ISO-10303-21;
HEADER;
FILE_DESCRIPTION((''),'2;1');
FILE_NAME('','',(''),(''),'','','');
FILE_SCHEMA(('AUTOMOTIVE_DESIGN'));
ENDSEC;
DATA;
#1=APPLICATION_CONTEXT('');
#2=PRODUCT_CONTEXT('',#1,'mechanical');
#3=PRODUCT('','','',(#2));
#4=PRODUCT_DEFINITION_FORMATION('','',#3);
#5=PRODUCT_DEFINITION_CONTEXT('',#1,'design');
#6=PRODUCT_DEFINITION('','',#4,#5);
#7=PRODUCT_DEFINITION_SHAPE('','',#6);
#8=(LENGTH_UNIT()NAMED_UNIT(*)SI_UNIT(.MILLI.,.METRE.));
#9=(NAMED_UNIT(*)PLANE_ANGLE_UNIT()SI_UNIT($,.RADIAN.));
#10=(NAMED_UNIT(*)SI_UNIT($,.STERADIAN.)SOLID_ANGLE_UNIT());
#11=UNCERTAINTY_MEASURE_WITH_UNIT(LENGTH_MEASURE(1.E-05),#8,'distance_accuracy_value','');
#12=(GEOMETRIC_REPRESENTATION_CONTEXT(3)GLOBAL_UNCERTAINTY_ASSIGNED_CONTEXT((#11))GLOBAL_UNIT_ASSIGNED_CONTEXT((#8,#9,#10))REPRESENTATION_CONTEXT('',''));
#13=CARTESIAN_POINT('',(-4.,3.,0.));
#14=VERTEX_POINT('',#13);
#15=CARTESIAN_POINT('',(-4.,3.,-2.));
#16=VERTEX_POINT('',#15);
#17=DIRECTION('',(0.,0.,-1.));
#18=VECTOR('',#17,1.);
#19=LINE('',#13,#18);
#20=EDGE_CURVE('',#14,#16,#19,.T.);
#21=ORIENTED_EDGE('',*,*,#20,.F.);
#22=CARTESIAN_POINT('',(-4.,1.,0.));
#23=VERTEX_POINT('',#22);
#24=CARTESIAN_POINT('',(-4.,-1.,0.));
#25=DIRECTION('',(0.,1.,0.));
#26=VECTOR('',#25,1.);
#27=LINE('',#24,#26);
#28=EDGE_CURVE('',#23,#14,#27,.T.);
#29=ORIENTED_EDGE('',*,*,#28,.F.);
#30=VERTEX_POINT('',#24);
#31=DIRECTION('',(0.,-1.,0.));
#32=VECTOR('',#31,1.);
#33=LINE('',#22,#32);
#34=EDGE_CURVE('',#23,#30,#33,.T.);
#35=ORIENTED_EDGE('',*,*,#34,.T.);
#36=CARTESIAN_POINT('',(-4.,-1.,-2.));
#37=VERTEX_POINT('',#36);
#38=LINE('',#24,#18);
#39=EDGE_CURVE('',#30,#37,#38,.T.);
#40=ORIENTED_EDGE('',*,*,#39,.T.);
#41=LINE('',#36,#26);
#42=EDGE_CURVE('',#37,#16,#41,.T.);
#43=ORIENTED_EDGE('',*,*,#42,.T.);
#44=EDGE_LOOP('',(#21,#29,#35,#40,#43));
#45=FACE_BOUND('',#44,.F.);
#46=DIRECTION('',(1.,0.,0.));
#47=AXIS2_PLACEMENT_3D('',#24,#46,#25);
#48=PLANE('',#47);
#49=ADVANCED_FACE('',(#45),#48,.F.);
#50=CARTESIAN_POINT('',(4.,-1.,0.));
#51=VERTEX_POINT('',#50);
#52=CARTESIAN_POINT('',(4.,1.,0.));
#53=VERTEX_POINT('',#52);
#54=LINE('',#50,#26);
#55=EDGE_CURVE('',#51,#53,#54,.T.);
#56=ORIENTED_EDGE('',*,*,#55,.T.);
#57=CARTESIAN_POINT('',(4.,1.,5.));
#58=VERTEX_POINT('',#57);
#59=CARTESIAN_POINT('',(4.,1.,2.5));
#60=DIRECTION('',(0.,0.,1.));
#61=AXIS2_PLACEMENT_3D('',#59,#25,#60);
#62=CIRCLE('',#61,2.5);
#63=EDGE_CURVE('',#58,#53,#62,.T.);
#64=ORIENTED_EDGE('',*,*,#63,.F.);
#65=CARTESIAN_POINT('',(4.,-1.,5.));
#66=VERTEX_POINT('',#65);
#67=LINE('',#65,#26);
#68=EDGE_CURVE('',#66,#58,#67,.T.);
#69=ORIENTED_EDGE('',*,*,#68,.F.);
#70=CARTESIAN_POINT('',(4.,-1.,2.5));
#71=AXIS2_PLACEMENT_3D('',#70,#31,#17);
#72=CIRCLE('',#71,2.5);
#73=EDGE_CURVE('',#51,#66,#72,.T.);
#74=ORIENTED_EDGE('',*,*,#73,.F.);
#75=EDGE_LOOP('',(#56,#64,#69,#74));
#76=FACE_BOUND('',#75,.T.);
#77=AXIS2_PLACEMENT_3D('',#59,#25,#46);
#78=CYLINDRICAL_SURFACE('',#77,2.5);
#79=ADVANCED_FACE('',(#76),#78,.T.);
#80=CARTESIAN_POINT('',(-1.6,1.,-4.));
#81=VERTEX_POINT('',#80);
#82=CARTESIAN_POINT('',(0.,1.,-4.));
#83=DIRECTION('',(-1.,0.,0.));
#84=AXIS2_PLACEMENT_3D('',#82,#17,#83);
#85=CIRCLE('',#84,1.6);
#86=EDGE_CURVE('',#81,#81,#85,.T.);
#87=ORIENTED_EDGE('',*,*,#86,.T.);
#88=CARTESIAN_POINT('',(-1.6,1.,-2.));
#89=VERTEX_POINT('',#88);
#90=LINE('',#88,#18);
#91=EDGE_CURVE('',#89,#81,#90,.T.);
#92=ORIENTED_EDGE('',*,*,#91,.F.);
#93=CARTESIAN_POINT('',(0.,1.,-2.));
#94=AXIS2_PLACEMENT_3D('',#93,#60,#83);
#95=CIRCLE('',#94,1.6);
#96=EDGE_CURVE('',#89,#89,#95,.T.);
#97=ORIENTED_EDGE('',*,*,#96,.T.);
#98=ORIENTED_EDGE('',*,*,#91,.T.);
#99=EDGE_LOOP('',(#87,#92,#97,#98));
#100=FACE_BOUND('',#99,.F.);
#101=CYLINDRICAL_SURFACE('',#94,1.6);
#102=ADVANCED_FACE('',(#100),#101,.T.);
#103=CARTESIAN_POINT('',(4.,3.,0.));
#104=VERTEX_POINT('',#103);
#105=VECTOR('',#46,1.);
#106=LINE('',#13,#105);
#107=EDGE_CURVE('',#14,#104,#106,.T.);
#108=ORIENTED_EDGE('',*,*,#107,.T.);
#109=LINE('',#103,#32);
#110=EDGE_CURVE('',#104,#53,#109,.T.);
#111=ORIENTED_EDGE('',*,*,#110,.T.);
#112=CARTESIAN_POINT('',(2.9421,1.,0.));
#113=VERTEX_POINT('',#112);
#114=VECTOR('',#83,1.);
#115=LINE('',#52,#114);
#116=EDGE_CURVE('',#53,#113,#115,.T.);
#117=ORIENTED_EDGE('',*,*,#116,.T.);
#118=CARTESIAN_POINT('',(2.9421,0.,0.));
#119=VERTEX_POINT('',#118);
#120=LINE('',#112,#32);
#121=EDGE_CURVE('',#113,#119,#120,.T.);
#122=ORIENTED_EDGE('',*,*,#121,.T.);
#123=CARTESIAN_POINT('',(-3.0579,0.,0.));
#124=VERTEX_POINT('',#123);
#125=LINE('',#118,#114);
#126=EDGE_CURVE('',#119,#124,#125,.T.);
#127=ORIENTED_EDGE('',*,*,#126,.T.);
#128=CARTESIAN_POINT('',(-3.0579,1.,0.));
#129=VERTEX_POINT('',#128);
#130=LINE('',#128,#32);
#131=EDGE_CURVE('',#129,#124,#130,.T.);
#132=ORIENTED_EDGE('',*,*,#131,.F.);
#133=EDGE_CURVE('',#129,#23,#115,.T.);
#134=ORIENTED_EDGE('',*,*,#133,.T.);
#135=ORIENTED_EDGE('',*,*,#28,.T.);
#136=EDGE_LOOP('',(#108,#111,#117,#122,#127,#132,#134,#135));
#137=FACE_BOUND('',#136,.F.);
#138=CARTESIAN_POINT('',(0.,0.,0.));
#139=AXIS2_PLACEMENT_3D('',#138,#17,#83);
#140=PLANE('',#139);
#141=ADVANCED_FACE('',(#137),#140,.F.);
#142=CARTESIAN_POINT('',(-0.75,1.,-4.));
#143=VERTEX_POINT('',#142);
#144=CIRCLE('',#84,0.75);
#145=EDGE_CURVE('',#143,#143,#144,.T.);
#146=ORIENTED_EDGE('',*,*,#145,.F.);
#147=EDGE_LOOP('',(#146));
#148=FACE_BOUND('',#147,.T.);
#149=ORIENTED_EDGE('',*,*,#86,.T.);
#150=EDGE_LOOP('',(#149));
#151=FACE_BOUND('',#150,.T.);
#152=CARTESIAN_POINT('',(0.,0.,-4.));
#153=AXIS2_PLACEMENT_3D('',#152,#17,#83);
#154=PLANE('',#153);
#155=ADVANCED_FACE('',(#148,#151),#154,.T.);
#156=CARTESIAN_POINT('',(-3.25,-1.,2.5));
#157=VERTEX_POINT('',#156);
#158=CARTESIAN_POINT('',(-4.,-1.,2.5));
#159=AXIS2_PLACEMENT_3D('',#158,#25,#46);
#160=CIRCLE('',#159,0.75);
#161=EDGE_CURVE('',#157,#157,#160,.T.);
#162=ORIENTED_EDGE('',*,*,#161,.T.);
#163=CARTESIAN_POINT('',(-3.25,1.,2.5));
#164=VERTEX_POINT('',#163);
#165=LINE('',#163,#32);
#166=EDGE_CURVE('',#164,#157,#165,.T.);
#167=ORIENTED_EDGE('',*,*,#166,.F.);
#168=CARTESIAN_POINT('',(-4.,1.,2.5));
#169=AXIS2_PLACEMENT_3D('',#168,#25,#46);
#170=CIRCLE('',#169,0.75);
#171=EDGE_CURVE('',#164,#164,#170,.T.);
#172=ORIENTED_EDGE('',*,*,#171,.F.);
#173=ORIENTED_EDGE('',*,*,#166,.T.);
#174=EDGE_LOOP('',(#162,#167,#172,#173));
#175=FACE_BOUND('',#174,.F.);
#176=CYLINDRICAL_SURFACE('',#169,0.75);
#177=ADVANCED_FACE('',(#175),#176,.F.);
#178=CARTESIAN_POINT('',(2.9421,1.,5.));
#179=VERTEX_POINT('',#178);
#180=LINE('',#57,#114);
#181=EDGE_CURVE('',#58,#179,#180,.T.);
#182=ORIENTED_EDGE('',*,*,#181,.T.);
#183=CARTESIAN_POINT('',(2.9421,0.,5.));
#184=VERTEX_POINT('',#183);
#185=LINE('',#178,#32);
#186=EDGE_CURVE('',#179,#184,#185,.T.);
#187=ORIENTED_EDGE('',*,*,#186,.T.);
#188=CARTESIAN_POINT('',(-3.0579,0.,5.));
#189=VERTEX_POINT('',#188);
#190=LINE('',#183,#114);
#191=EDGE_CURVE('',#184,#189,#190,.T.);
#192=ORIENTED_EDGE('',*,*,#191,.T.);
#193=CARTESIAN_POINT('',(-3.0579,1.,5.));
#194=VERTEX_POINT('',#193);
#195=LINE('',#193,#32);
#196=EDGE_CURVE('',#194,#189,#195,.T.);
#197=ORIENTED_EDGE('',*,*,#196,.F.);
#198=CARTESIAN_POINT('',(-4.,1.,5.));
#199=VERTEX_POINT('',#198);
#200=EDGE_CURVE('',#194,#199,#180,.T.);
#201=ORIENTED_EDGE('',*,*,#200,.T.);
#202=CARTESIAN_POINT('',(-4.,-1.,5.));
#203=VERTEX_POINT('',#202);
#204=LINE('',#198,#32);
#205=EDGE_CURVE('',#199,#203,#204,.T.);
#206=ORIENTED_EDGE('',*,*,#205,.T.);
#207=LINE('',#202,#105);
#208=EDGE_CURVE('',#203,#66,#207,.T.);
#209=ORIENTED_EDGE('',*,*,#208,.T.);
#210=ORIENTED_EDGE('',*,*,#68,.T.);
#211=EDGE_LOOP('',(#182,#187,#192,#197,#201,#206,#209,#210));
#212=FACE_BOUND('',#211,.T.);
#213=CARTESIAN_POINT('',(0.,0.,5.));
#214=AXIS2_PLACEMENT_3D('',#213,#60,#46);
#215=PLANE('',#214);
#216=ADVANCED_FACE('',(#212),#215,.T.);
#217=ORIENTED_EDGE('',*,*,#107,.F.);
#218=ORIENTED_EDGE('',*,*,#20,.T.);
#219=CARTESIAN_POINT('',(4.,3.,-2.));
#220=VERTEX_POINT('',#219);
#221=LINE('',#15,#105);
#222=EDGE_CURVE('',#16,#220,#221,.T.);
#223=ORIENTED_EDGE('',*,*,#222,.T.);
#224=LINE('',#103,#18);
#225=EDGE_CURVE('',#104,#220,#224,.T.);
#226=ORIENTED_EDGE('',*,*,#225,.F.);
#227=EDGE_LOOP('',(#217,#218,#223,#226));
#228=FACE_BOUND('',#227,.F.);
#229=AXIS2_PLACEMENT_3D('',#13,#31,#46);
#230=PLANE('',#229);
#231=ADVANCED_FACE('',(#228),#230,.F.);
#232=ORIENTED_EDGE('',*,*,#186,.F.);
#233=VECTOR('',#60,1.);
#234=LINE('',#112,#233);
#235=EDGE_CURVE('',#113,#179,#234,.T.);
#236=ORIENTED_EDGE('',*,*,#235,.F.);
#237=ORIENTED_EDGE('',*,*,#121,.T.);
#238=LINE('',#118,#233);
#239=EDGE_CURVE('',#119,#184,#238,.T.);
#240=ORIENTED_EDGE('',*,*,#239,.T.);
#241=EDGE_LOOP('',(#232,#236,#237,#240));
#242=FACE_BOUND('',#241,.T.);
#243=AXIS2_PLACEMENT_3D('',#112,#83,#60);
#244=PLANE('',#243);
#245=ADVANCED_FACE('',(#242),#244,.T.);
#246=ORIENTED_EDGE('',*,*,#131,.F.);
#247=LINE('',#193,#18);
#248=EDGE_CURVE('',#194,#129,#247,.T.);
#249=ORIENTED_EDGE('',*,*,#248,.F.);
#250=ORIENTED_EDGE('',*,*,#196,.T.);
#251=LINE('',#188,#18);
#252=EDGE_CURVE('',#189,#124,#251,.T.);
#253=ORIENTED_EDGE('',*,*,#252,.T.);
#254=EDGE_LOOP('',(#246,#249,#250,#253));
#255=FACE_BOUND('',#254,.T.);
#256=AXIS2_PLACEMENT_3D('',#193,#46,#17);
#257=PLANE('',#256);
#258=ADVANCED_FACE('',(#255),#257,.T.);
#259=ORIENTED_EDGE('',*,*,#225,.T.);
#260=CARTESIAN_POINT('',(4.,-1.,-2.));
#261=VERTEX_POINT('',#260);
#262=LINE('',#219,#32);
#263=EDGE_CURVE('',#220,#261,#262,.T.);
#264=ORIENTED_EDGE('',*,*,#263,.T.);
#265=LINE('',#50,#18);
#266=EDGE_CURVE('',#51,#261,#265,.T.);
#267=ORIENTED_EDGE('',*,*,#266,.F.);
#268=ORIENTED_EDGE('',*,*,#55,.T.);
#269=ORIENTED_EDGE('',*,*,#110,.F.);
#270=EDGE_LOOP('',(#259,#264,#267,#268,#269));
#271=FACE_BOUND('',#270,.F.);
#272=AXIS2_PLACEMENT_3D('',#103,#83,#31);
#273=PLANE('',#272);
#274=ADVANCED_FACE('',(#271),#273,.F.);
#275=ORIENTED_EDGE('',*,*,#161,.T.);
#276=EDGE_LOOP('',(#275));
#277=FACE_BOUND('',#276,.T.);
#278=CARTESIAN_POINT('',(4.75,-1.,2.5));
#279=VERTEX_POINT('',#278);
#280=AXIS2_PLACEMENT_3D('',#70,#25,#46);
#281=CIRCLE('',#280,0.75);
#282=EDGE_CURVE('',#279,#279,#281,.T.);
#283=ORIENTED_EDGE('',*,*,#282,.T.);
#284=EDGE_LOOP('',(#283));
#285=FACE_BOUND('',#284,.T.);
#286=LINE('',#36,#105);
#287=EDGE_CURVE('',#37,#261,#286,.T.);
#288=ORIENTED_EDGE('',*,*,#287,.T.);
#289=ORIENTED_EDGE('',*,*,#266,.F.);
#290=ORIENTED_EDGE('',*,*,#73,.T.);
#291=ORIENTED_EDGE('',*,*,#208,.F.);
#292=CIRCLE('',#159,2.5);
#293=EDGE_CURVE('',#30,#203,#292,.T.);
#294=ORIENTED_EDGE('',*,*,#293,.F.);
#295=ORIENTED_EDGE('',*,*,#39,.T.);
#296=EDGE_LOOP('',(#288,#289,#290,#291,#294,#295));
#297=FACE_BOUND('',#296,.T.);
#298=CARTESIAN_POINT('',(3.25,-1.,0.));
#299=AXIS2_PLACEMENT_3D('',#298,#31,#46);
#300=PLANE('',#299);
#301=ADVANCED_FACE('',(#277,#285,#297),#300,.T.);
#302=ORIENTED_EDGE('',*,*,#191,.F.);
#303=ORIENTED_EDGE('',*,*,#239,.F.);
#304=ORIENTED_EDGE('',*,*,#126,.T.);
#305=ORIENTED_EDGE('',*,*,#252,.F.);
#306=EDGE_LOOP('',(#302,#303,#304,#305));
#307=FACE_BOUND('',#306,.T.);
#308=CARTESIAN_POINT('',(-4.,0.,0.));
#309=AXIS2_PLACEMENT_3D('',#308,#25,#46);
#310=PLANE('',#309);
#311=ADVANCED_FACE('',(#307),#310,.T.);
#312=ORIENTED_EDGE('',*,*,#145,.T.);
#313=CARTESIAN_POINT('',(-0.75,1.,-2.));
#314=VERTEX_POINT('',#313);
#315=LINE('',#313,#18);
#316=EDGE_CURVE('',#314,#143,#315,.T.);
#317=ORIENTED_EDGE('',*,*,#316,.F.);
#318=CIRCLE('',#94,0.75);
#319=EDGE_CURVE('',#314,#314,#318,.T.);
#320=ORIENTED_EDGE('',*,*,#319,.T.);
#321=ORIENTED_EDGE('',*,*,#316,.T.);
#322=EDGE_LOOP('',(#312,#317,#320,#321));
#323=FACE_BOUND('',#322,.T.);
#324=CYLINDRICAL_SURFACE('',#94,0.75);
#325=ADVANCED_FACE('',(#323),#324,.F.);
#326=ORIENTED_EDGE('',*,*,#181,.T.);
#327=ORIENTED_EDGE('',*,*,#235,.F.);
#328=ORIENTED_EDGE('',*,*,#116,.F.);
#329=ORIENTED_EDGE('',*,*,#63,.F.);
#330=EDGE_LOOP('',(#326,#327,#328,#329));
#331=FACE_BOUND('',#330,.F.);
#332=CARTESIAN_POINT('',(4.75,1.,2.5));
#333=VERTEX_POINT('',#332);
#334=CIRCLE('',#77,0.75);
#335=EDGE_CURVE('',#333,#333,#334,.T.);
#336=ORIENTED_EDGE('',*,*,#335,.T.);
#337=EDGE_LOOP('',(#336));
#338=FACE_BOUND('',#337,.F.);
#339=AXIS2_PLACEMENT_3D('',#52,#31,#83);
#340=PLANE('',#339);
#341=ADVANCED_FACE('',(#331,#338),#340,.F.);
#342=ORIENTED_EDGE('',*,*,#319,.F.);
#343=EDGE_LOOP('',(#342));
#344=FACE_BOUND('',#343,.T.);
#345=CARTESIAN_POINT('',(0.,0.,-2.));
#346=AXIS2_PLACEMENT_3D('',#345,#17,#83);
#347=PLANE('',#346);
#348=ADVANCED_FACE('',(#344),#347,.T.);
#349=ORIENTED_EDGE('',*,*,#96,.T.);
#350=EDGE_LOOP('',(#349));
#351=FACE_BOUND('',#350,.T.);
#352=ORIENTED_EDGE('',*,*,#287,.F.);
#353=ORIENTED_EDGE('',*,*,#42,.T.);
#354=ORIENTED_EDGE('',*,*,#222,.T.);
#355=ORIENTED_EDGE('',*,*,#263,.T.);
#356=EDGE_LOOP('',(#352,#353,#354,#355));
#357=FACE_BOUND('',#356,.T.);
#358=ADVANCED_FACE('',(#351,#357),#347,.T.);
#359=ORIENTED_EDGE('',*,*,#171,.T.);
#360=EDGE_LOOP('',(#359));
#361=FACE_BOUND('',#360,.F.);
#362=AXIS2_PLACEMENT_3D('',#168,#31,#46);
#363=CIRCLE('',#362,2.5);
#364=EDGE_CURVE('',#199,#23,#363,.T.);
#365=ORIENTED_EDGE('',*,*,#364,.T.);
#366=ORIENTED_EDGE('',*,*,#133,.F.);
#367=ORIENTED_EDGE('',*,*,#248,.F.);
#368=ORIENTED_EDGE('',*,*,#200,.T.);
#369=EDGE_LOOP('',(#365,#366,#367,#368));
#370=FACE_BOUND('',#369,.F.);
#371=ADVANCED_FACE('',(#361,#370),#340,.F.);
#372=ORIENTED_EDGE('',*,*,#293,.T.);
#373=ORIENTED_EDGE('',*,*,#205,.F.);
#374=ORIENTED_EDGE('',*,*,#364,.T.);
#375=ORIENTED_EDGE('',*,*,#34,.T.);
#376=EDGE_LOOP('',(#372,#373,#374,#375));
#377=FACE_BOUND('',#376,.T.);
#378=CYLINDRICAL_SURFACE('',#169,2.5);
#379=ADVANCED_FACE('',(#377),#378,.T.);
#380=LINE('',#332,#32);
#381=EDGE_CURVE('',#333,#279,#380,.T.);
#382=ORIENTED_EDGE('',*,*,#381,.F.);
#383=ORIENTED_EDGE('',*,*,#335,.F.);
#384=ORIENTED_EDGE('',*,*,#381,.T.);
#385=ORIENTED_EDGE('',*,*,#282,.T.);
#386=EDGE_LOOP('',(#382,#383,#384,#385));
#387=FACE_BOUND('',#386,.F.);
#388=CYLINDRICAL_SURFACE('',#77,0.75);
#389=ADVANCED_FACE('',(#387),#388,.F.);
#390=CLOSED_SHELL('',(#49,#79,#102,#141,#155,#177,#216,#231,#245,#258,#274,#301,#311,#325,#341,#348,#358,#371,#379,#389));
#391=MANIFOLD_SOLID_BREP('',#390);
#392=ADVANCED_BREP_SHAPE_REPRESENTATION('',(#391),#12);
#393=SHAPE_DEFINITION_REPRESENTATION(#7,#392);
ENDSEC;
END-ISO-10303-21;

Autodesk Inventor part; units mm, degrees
ref_plane "YZ Plane" through (0, 0, 0) normal (1, 0, 0) x (0, 1, 0)
ref_plane "XZ Plane" through (0, 0, 0) normal (0, 1, 0) x (-1, 0, 0)
ref_plane "XY Plane" through (0, 0, 0) normal (0, 0, 1) x (1, 0, 0)
sketch "Эскиз1" plane through (0, 0, 0) normal (0, 0, 1) x (1, 0, 0)
  line L0 (-4, -1) -> (4, -1)
  line L1 (4, -1) -> (4, 1)
  line L2 (4, 1) -> (-4, 1)
  line L3 (-4, 1) -> (-4, -1)
  line L4 (-4, -1) -> (4, 1) construction
  line L5 (4, -1) -> (-4, 1) construction
  point P0 (0, 0)
  dimension "d0" = 8
  dimension "d1" = 2
extrude "Выдавливание1" add sketch "Эскиз1" along normal blind 5
sketch "Эскиз2" plane through (-4, 1, 0) normal (0, 1, 0) x (1, 0, 0)
  line L0 (0, 0) -> (0, -5) projected
  circle A0 centre (0, -2.5) radius 2.5
  line L1 (8, 0) -> (8, -5) projected
  circle A1 centre (8, -2.5) radius 2.5
  point P0 (4, 0)
  dimension "d4" = 5
  dimension "d5" = 5
extrude "Выдавливание2" add sketch "Эскиз2" against normal blind 2
sketch "Эскиз3" plane through (-4, 1, 0) normal (0, 1, 0) x (1, 0, 0)
  arc A0 (0, 0) -> (0, -5) centre (0, -2.5) ccw projected
  circle A1 centre (0, -2.5) radius 0.75
  arc A2 (8, -5) -> (8, 0) centre (8, -2.5) ccw projected
  circle A3 centre (8, -2.5) radius 0.75
  point P0 (4, 0)
  dimension "d8" = 1.5
  dimension "d9" = 1.5
extrude "Выдавливание3" cut sketch "Эскиз3" against normal blind 2
sketch "Эскиз4" plane through (-4, 1, 0) normal (0, 1, 0) x (1, 0, 0)
  line L0 (4, 0) -> (4, -5)
  line L1 (0, -5) -> (8, -5) projected
  line L2 (0, 0) -> (8, 0) projected
  line L3 (6.9421, -5) -> (0.9421, -5)
  line L4 (0.9421, -5) -> (0.9421, 0)
  line L5 (0.9421, 0) -> (6.9421, 0)
  line L6 (6.9421, 0) -> (6.9421, -5)
  line L7 (6.9421, -5) -> (0.9421, 0) construction
  line L8 (0.9421, -5) -> (6.9421, 0) construction
  point P0 (3.9421, -2.5)
  dimension "d12" = 6
extrude "Выдавливание4" cut sketch "Эскиз4" against normal blind 1
sketch "Эскиз5" plane through (0, 0, 0) normal (0, 0, -1) x (-1, 0, 0)
  line L0 (-3.25, -1) -> (-4.75, -1) projected
  line L1 (-4, -1) -> (4, -1)
  line L2 (4, -1) -> (4, 3)
  line L3 (4, 3) -> (-4, 3)
  line L4 (-4, 3) -> (-4, -1)
  point P0 (0, 0)
  dimension "d15" = 8
  dimension "d16" = 4
extrude "Выдавливание5" add sketch "Эскиз5" along normal blind 2
sketch "Эскиз6" plane through (0, 0, -2) normal (0, 0, -1) x (-1, 0, 0)
  line L0 (-4, 3) -> (-4, 1) projected
  line L1 (-4, 1) -> (4, 1)
  line L2 (3.25, 1) -> (4.75, 1) projected
  circle A0 centre (0, 1) radius 0.75
  circle A1 centre (0, 1) radius 1.6
  point P0 (0, 0)
  dimension "d19" = 1.5
  dimension "d20" = 3.2
extrude "Выдавливание6" add sketch "Эскиз6" along normal blind 2 contours A0 L1 A1 | L1 A1 A0
sketch "Эскиз7" plane through (-4, 1, 5) normal (0, 1, 0) x (1, 0, 0)
  circle A0 centre (0, 2.5) radius 0.75 projected
  line L0 (0.9421, 0) -> (0.9421, 5) projected
  line L1 (0.9421, 5) -> (0, 5) projected
  arc A1 (0, 5) -> (0, 0) centre (0, 2.5) ccw projected
  line L2 (0.9421, 0) -> (0, 0) projected
  line L3 (0.9421, 0) -> (0.9421, 5) projected
  line L4 (6.9421, 0) -> (0.9421, 0) projected
  line L5 (6.9421, 5) -> (6.9421, 0) projected
  line L6 (0.9421, 5) -> (6.9421, 5) projected
  circle A2 centre (8, 2.5) radius 0.75 projected
  line L7 (6.9421, 5) -> (6.9421, 0) projected
  line L8 (8, 0) -> (6.9421, 0) projected
  arc A3 (8, 0) -> (8, 5) centre (8, 2.5) ccw projected
  line L9 (8, 5) -> (6.9421, 5) projected
  point P0 (4, 5)
properties part number "КВ33.044.206 - Крепеж держателя ремня" material "Пластик АБС"
